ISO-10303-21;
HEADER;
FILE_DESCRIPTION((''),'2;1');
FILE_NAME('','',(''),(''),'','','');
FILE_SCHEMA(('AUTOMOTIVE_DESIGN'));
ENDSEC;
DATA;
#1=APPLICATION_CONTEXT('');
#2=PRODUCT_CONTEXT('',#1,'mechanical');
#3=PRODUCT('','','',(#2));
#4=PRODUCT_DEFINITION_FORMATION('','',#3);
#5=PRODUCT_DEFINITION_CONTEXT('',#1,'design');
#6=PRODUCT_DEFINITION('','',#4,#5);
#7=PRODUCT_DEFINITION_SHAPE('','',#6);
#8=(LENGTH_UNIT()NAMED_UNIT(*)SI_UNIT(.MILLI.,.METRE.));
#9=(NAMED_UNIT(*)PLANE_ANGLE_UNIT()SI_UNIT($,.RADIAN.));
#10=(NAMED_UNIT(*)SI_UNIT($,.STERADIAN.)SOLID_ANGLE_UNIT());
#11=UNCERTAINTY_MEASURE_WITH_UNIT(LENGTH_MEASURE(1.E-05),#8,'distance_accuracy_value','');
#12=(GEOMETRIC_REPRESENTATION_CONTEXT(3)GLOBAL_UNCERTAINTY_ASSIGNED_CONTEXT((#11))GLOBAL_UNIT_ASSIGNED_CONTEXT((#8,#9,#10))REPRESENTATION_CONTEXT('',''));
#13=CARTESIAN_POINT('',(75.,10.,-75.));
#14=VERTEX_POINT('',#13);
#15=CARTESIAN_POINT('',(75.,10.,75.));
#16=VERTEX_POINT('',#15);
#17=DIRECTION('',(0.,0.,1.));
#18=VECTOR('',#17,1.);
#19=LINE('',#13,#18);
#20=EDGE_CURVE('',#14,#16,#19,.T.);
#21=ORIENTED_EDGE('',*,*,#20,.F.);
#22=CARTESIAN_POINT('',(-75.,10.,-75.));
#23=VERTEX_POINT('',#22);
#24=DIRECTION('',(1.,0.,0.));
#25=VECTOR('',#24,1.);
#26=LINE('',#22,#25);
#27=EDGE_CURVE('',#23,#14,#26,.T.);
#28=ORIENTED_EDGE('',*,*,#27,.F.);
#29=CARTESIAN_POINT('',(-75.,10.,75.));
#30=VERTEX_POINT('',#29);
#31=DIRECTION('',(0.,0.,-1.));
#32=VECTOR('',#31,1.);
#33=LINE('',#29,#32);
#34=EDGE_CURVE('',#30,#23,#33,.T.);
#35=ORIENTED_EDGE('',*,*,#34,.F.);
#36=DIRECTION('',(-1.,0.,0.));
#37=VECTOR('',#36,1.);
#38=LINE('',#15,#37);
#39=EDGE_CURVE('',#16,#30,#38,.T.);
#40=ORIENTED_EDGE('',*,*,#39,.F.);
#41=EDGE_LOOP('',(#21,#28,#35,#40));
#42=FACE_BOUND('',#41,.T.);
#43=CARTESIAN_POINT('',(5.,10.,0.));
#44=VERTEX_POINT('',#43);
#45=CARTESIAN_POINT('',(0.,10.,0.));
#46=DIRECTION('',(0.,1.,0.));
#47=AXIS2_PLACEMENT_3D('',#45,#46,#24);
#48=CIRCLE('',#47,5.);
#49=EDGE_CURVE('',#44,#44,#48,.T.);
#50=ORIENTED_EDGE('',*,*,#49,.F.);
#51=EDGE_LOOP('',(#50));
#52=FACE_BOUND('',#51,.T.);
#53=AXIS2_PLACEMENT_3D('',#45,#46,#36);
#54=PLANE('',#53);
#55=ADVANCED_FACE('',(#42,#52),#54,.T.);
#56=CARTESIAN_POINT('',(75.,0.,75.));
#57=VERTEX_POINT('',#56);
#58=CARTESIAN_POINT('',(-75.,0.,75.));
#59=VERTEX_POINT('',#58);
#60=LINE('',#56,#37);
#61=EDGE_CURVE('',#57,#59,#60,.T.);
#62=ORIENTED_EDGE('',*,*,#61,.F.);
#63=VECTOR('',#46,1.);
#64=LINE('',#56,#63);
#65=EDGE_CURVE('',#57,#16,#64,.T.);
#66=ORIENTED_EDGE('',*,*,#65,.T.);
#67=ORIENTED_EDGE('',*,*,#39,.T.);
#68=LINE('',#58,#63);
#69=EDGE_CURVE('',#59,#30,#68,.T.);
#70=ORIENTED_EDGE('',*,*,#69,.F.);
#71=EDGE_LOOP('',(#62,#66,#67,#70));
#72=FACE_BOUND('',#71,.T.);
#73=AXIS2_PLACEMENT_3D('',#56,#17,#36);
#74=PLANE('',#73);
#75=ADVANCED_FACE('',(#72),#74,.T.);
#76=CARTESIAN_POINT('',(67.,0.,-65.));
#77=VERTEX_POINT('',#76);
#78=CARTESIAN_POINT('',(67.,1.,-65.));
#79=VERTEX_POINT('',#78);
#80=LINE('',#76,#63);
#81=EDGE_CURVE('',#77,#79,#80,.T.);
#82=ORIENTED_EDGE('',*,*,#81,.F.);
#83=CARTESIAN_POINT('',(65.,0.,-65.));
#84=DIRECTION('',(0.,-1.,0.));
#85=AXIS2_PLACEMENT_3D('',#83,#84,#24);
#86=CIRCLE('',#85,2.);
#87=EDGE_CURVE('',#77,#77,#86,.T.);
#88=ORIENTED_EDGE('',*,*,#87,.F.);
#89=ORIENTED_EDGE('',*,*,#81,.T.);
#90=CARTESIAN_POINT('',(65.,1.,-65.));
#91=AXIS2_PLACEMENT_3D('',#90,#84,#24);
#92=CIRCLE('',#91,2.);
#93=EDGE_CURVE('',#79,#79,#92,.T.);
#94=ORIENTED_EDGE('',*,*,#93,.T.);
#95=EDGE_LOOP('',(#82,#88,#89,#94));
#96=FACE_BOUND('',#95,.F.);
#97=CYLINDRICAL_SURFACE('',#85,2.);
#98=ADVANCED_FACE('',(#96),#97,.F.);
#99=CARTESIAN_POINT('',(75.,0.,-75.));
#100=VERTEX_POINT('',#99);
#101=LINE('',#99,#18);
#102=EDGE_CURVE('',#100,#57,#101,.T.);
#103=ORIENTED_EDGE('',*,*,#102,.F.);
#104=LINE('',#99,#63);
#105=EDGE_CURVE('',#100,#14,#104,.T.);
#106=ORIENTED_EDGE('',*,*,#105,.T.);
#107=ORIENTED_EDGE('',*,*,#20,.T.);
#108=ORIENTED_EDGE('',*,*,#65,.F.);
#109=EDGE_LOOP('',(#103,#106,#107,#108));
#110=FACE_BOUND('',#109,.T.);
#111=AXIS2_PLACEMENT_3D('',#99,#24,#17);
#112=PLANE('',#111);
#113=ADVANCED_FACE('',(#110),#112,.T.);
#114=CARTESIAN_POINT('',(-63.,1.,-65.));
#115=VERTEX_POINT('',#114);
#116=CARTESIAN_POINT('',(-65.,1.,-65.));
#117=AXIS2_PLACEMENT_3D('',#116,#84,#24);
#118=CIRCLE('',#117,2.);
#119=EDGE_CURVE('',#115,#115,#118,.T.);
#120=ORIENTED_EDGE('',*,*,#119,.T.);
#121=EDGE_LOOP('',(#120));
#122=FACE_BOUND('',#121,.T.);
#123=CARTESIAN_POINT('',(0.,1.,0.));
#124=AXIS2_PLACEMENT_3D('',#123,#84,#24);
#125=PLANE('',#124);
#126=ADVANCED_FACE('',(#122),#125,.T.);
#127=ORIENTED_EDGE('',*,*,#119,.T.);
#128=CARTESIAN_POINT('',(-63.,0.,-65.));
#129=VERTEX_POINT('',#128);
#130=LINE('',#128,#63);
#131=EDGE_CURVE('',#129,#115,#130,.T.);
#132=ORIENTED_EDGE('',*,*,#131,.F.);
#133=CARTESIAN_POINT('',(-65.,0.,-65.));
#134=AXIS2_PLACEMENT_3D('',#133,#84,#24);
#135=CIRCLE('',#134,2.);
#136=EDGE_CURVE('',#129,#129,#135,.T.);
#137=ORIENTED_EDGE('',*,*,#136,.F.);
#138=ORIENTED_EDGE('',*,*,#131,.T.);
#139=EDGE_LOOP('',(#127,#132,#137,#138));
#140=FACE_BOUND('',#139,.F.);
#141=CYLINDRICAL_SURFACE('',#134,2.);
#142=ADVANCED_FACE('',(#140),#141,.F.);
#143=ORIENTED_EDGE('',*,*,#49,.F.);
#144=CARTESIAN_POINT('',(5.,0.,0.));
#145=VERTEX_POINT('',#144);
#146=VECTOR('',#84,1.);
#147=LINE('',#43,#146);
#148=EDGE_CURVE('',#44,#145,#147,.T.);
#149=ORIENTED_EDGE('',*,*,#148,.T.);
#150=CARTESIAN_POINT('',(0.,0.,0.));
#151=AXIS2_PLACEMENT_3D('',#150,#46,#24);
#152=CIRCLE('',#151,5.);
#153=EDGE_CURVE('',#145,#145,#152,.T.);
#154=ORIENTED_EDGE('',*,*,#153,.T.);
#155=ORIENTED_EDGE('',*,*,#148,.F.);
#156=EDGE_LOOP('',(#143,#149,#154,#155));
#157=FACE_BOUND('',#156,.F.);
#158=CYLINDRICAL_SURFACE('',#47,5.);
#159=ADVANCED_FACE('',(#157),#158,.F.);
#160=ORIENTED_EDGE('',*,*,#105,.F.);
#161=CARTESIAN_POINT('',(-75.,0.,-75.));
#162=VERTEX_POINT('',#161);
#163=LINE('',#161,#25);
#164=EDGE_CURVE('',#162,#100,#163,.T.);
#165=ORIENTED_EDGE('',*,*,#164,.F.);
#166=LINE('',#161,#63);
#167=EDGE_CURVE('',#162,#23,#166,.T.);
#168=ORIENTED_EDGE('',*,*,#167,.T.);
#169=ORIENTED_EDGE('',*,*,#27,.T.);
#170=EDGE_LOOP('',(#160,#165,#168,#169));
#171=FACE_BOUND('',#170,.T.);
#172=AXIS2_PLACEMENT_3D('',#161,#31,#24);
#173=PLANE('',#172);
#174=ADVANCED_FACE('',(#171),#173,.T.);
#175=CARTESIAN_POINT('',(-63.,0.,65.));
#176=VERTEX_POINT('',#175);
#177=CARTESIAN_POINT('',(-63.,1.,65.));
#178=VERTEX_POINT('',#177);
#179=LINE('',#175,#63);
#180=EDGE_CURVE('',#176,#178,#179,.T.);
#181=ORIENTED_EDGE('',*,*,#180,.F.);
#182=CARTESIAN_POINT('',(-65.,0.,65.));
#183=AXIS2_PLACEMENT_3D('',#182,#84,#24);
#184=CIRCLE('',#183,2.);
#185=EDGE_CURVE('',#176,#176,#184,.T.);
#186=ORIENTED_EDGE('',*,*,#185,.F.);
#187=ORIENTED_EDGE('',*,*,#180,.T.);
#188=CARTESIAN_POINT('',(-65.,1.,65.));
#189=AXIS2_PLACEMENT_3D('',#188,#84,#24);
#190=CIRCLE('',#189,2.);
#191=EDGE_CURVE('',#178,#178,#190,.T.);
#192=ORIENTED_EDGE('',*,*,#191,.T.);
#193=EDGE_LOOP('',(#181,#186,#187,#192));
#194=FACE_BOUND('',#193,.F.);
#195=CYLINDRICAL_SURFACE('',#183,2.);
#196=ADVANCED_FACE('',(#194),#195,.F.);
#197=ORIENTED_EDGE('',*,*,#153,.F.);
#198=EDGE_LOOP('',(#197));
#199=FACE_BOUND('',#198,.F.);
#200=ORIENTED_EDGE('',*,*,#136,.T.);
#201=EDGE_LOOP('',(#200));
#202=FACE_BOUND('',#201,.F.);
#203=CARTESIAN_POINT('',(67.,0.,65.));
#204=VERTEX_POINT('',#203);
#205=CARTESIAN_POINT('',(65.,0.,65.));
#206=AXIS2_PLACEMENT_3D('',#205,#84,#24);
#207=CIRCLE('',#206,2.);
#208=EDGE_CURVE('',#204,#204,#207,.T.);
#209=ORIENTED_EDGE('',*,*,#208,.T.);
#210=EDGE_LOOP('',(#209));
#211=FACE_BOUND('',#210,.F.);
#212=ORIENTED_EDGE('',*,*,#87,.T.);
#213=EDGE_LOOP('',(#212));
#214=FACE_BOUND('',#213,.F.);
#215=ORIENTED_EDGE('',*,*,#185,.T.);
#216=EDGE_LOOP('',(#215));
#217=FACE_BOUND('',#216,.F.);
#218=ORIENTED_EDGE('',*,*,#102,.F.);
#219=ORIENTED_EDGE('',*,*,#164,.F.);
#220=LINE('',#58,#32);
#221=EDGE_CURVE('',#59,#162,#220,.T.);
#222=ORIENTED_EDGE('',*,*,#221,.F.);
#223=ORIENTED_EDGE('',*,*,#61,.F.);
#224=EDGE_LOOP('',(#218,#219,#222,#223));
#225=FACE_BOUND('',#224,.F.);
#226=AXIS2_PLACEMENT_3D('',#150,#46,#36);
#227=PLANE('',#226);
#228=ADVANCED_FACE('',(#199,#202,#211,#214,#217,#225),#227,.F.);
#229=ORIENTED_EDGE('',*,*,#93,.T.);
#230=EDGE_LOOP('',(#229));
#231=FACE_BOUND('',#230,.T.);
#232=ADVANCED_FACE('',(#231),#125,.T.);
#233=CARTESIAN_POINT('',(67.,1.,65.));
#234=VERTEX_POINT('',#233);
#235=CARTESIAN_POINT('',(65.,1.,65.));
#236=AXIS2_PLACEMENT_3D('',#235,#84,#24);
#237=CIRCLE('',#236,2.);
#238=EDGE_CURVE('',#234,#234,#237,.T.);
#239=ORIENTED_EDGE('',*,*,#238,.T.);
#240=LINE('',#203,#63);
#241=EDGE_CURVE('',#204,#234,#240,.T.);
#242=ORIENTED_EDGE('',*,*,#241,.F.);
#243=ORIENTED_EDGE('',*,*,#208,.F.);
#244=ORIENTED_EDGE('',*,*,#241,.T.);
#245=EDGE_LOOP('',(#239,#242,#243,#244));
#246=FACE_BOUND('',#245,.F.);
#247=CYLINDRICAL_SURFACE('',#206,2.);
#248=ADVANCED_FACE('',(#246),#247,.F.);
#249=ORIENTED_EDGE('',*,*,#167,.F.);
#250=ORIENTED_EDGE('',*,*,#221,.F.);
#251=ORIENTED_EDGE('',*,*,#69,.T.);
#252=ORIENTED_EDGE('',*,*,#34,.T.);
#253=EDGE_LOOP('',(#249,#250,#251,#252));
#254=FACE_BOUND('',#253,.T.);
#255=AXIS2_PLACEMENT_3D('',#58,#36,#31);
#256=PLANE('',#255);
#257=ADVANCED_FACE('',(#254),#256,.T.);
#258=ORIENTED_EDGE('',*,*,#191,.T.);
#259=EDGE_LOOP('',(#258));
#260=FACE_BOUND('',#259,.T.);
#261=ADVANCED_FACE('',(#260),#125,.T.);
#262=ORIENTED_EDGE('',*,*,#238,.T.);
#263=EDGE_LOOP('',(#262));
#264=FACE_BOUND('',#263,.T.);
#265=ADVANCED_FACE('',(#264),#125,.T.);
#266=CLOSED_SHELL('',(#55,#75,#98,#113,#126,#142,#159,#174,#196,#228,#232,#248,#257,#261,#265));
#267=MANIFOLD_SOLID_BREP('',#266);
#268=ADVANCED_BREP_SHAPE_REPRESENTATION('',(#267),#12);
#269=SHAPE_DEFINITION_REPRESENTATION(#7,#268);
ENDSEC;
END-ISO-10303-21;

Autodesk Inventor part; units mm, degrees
ref_plane "YZ Plane" through (0, 0, 0) normal (1, 0, 0) x (0, 1, 0)
ref_plane "XZ Plane" through (0, 0, 0) normal (0, 1, 0) x (-1, 0, 0)
ref_plane "XY Plane" through (0, 0, 0) normal (0, 0, 1) x (1, 0, 0)
sketch "Esquisse1" plane through (0, 0, 0) normal (0, 1, 0) x (-1, 0, 0)
  line L0 (-75, 75) -> (75, 75)
  line L1 (75, 75) -> (75, -75)
  line L2 (75, -75) -> (-75, -75)
  line L3 (-75, -75) -> (-75, 75)
  point P0 (0, 0)
  dimension "d0" = 150
  dimension "d1" = 75
  dimension "d2" = 150
  dimension "d3" = 75
extrude "Extrusion1" add sketch "Esquisse1" along normal blind 10
sketch "Esquisse2" plane through (0, 10, 0) normal (0, 1, 0) x (1, 0, 0)
  circle A0 centre (0, 0) radius 5
  dimension "d6" = 10
extrude "Extrusion2" cut sketch "Esquisse2" against normal through all
sketch "Esquisse4" plane through (0, 0, 0) normal (0, -1, 0) x (1, 0, 0)
  circle A0 centre (-65, 65) radius 2
  circle A1 centre (65, 65) radius 2
  circle A2 centre (65, -65) radius 2
  circle A3 centre (-65, -65) radius 2
  line L0 (-75, 75) -> (-75, -75) projected
  line L1 (75, -75) -> (75, 75) projected
  line L2 (75, 75) -> (-75, 75) projected
  line L3 (-75, -75) -> (75, -75) projected
  point P0 (0, 0)
  dimension "d12" = 4
  dimension "d13" = 4
  dimension "d14" = 4
  dimension "d15" = 4
  dimension "d16" = 10
  dimension "d17" = 10
  dimension "d18" = 10
  dimension "d19" = 10
  dimension "d20" = 10
  dimension "d21" = 10
  dimension "d22" = 10
  dimension "d23" = 10
extrude "Extrusion4" cut sketch "Esquisse4" against normal blind 1 contours A0 | A1 | A2 | A3
equation "\"d1\" = 0.5 * d0"
equation "\"d3\" = 0.5 * d2"
equation "\"d13\" = d12"
equation "\"d14\" = d12"
equation "\"d15\" = d12"
equation "\"d17\" = d16"
equation "\"d18\" = d16"
equation "\"d19\" = d16"
equation "\"d20\" = d16"
equation "\"d21\" = d16"
equation "\"d22\" = d16"
equation "\"d23\" = d16"
equation "\"dd0\" = 16"
equation "\"dd1\" = 28"
properties part number "Base" material "PVC, non plastifié"
